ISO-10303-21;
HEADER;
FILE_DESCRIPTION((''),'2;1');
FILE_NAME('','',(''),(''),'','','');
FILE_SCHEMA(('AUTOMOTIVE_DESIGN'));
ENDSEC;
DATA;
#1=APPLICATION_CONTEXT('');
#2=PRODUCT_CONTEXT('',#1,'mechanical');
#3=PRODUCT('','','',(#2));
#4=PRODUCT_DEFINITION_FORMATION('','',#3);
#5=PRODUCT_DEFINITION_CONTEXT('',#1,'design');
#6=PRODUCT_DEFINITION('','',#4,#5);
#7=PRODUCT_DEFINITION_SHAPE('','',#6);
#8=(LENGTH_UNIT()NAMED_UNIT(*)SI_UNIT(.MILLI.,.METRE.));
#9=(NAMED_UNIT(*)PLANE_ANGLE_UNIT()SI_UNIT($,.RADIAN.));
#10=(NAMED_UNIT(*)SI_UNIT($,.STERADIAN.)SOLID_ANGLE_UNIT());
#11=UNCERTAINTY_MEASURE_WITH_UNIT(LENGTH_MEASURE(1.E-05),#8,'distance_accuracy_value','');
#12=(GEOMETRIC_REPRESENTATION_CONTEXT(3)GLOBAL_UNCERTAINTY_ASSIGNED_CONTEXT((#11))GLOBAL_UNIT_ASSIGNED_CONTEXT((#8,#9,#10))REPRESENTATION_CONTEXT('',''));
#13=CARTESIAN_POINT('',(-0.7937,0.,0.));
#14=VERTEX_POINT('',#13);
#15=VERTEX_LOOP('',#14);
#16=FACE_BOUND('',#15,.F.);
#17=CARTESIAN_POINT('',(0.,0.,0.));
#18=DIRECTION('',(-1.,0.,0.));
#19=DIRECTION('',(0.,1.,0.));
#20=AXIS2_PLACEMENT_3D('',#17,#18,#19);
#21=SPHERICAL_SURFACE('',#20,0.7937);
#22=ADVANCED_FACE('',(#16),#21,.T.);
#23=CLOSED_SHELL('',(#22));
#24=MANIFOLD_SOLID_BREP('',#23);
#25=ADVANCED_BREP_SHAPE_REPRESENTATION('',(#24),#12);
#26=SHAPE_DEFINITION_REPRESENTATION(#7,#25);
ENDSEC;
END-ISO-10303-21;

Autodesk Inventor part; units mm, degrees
sketch "Sketch_1" plane through (0, 0, 0) normal (0, 0, 1) x (1, 0, 0)
  line L0 (0.7937, 0) -> (-0.7937, 0)
  arc A0 (0.7937, 0) -> (-0.7937, 0) centre (0, 0) ccw
  line L1 (0.7937, 0) -> (-0.7937, 0)
revolve "Revolution1" add sketch "Sketch_1" angle 360 about axis through (0.7937, 0, 0) along (1, 0, 0)
ref_plane "1_XY" through (0, 0, 0) normal (0, 0, 1) x (1, 0, 0)
ref_plane "1_YZ" through (0, 0, 0) normal (1, 0, 0) x (0, 1, 0)
ref_plane "1_ZX" through (0, 0, 0) normal (0, 1, 0) x (0, 0, 1)
properties part number "A-2418_ball"
